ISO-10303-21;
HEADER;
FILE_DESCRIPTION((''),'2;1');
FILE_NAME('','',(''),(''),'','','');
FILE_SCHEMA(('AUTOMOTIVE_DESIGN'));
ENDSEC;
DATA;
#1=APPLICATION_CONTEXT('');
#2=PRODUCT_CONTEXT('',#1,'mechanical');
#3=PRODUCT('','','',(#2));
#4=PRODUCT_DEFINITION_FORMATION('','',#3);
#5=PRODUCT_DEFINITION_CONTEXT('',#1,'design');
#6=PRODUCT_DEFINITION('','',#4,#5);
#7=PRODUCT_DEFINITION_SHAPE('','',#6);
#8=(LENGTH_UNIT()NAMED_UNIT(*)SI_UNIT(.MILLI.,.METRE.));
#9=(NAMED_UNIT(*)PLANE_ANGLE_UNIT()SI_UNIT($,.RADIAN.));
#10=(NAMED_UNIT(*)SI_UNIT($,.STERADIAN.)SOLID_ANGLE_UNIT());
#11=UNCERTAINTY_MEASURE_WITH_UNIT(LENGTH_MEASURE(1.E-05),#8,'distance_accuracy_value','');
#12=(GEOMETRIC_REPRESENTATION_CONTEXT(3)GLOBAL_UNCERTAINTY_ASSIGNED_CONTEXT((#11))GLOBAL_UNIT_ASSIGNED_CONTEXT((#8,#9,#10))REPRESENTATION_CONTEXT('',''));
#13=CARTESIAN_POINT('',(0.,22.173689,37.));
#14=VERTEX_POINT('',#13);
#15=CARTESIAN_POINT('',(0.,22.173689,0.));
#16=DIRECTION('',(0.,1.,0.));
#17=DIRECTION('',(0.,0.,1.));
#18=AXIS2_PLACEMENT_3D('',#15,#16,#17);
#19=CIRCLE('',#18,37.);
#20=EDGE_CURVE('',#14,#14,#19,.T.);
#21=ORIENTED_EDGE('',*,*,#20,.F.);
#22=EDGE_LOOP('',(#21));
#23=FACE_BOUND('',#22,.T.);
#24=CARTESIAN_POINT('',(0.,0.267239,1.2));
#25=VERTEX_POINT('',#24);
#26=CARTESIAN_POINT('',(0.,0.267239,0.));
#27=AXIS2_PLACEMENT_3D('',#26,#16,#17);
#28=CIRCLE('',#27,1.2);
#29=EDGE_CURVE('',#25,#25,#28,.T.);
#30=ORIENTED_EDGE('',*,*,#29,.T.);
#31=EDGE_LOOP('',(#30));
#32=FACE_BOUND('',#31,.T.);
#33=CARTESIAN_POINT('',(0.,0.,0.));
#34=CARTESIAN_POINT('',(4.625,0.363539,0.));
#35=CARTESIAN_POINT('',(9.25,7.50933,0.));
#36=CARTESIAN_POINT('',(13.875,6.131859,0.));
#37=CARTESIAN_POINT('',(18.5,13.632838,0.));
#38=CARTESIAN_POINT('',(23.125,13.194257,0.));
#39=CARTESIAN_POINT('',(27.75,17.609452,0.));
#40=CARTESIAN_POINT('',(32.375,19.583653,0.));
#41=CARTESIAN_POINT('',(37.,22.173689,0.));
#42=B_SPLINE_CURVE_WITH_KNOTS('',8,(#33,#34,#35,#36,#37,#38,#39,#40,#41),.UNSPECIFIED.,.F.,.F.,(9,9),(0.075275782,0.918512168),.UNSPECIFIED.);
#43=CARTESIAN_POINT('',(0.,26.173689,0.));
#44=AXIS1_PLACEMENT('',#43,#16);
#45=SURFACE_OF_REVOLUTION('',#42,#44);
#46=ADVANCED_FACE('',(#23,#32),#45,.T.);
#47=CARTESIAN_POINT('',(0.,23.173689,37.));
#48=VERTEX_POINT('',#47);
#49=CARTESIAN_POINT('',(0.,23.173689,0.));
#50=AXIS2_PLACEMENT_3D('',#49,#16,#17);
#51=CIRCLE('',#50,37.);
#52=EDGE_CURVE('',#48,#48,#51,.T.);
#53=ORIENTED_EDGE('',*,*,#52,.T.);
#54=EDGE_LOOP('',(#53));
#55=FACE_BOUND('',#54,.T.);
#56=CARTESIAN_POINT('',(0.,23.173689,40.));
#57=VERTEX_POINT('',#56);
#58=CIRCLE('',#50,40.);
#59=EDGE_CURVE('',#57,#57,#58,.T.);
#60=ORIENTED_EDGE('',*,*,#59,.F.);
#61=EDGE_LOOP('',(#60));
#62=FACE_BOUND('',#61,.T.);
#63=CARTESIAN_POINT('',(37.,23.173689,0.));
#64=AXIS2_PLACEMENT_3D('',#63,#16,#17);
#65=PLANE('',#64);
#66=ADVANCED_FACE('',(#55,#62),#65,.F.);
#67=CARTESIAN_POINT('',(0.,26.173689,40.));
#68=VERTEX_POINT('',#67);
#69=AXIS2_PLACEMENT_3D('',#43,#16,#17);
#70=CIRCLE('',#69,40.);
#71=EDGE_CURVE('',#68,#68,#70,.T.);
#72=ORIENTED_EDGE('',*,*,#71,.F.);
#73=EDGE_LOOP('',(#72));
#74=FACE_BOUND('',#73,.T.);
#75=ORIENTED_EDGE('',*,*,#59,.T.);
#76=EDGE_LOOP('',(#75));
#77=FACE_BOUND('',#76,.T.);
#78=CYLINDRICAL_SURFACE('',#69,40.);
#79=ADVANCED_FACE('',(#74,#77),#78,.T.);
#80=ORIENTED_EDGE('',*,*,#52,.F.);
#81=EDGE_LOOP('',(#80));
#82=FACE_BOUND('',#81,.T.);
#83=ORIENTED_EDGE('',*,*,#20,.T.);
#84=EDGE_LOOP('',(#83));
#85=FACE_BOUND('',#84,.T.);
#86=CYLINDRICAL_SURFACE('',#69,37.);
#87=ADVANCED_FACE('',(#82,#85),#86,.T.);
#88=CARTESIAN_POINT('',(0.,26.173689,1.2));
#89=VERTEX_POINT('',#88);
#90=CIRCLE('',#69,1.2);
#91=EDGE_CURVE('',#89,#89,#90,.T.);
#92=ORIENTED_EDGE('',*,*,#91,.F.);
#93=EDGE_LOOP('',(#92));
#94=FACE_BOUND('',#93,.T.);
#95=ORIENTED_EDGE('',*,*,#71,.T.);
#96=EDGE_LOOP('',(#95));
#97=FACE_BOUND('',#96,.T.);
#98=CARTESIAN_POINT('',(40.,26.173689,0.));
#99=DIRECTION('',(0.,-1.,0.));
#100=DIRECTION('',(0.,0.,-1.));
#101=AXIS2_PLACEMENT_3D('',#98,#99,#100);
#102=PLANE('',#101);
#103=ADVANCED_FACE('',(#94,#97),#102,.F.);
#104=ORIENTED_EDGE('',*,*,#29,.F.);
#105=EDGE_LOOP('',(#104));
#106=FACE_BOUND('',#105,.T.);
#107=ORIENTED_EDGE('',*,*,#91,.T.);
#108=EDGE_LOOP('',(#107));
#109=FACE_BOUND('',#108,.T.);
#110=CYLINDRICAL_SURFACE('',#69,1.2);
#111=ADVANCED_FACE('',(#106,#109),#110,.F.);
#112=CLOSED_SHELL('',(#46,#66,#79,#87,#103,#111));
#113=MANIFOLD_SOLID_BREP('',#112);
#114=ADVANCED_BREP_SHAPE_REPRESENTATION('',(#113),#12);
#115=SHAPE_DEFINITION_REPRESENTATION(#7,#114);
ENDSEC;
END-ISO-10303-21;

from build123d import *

# Parameters (mm, degrees)
SKETCH5_R          = 1.2
CUT_EXTRUDE1_DEPTH = 63.330265321


with BuildPart() as part:
    # Sketch3 → Revolve4 (revolve)
    with BuildSketch(Plane.XY, mode=Mode.PRIVATE) as revolve4_sk:
        with BuildLine():
            Line((1.2, 26.173688502), (1.2, 21.173688502))
            Line((1.2, 21.173688502), (0, 21.173688502))
            Line((0, 21.173688502), (0, 0))
            add(Edge.make_bspline(
                [(0, 0), (4.62500003, 0.363539266), (9.249999976, 7.509330177), (13.875000027, 6.131858732), (18.499999969, 13.632838145), (23.125000008, 13.194256588), (27.749999988, 17.609451873), (32.374999998, 19.583652691), (37, 22.173688502)],
                knots=[0.075275782, 0.075275782, 0.075275782, 0.075275782, 0.075275782, 0.075275782, 0.075275782, 0.075275782, 0.075275782, 0.918512168, 0.918512168, 0.918512168, 0.918512168, 0.918512168, 0.918512168, 0.918512168, 0.918512168, 0.918512168], degree=8))
            Line((37, 22.173688502), (37, 23.173688502))
            Line((37, 23.173688502), (40, 23.173688502))
            Line((40, 23.173688502), (40, 26.173688502))
            Line((40, 26.173688502), (1.2, 26.173688502))
        make_face()
    revolve(revolve4_sk.sketch.rotate(Axis((0, 26.173688502, 0), (0, -1, 0)), 90), axis=Axis((0, 26.173688502, 0), (0, -1, 0)))

    # Sketch5 → Cut-Extrude1 (cut, through all)
    with BuildSketch(Plane(origin=(0, 26.173688502, 0), x_dir=(1, 0, 0), z_dir=(0, 1, 0))):
        with Locations(Location((0, 0, 0), (0, 0, 270))):
            Circle(SKETCH5_R)
    extrude(amount=-CUT_EXTRUDE1_DEPTH, mode=Mode.SUBTRACT)


solid = part.part
